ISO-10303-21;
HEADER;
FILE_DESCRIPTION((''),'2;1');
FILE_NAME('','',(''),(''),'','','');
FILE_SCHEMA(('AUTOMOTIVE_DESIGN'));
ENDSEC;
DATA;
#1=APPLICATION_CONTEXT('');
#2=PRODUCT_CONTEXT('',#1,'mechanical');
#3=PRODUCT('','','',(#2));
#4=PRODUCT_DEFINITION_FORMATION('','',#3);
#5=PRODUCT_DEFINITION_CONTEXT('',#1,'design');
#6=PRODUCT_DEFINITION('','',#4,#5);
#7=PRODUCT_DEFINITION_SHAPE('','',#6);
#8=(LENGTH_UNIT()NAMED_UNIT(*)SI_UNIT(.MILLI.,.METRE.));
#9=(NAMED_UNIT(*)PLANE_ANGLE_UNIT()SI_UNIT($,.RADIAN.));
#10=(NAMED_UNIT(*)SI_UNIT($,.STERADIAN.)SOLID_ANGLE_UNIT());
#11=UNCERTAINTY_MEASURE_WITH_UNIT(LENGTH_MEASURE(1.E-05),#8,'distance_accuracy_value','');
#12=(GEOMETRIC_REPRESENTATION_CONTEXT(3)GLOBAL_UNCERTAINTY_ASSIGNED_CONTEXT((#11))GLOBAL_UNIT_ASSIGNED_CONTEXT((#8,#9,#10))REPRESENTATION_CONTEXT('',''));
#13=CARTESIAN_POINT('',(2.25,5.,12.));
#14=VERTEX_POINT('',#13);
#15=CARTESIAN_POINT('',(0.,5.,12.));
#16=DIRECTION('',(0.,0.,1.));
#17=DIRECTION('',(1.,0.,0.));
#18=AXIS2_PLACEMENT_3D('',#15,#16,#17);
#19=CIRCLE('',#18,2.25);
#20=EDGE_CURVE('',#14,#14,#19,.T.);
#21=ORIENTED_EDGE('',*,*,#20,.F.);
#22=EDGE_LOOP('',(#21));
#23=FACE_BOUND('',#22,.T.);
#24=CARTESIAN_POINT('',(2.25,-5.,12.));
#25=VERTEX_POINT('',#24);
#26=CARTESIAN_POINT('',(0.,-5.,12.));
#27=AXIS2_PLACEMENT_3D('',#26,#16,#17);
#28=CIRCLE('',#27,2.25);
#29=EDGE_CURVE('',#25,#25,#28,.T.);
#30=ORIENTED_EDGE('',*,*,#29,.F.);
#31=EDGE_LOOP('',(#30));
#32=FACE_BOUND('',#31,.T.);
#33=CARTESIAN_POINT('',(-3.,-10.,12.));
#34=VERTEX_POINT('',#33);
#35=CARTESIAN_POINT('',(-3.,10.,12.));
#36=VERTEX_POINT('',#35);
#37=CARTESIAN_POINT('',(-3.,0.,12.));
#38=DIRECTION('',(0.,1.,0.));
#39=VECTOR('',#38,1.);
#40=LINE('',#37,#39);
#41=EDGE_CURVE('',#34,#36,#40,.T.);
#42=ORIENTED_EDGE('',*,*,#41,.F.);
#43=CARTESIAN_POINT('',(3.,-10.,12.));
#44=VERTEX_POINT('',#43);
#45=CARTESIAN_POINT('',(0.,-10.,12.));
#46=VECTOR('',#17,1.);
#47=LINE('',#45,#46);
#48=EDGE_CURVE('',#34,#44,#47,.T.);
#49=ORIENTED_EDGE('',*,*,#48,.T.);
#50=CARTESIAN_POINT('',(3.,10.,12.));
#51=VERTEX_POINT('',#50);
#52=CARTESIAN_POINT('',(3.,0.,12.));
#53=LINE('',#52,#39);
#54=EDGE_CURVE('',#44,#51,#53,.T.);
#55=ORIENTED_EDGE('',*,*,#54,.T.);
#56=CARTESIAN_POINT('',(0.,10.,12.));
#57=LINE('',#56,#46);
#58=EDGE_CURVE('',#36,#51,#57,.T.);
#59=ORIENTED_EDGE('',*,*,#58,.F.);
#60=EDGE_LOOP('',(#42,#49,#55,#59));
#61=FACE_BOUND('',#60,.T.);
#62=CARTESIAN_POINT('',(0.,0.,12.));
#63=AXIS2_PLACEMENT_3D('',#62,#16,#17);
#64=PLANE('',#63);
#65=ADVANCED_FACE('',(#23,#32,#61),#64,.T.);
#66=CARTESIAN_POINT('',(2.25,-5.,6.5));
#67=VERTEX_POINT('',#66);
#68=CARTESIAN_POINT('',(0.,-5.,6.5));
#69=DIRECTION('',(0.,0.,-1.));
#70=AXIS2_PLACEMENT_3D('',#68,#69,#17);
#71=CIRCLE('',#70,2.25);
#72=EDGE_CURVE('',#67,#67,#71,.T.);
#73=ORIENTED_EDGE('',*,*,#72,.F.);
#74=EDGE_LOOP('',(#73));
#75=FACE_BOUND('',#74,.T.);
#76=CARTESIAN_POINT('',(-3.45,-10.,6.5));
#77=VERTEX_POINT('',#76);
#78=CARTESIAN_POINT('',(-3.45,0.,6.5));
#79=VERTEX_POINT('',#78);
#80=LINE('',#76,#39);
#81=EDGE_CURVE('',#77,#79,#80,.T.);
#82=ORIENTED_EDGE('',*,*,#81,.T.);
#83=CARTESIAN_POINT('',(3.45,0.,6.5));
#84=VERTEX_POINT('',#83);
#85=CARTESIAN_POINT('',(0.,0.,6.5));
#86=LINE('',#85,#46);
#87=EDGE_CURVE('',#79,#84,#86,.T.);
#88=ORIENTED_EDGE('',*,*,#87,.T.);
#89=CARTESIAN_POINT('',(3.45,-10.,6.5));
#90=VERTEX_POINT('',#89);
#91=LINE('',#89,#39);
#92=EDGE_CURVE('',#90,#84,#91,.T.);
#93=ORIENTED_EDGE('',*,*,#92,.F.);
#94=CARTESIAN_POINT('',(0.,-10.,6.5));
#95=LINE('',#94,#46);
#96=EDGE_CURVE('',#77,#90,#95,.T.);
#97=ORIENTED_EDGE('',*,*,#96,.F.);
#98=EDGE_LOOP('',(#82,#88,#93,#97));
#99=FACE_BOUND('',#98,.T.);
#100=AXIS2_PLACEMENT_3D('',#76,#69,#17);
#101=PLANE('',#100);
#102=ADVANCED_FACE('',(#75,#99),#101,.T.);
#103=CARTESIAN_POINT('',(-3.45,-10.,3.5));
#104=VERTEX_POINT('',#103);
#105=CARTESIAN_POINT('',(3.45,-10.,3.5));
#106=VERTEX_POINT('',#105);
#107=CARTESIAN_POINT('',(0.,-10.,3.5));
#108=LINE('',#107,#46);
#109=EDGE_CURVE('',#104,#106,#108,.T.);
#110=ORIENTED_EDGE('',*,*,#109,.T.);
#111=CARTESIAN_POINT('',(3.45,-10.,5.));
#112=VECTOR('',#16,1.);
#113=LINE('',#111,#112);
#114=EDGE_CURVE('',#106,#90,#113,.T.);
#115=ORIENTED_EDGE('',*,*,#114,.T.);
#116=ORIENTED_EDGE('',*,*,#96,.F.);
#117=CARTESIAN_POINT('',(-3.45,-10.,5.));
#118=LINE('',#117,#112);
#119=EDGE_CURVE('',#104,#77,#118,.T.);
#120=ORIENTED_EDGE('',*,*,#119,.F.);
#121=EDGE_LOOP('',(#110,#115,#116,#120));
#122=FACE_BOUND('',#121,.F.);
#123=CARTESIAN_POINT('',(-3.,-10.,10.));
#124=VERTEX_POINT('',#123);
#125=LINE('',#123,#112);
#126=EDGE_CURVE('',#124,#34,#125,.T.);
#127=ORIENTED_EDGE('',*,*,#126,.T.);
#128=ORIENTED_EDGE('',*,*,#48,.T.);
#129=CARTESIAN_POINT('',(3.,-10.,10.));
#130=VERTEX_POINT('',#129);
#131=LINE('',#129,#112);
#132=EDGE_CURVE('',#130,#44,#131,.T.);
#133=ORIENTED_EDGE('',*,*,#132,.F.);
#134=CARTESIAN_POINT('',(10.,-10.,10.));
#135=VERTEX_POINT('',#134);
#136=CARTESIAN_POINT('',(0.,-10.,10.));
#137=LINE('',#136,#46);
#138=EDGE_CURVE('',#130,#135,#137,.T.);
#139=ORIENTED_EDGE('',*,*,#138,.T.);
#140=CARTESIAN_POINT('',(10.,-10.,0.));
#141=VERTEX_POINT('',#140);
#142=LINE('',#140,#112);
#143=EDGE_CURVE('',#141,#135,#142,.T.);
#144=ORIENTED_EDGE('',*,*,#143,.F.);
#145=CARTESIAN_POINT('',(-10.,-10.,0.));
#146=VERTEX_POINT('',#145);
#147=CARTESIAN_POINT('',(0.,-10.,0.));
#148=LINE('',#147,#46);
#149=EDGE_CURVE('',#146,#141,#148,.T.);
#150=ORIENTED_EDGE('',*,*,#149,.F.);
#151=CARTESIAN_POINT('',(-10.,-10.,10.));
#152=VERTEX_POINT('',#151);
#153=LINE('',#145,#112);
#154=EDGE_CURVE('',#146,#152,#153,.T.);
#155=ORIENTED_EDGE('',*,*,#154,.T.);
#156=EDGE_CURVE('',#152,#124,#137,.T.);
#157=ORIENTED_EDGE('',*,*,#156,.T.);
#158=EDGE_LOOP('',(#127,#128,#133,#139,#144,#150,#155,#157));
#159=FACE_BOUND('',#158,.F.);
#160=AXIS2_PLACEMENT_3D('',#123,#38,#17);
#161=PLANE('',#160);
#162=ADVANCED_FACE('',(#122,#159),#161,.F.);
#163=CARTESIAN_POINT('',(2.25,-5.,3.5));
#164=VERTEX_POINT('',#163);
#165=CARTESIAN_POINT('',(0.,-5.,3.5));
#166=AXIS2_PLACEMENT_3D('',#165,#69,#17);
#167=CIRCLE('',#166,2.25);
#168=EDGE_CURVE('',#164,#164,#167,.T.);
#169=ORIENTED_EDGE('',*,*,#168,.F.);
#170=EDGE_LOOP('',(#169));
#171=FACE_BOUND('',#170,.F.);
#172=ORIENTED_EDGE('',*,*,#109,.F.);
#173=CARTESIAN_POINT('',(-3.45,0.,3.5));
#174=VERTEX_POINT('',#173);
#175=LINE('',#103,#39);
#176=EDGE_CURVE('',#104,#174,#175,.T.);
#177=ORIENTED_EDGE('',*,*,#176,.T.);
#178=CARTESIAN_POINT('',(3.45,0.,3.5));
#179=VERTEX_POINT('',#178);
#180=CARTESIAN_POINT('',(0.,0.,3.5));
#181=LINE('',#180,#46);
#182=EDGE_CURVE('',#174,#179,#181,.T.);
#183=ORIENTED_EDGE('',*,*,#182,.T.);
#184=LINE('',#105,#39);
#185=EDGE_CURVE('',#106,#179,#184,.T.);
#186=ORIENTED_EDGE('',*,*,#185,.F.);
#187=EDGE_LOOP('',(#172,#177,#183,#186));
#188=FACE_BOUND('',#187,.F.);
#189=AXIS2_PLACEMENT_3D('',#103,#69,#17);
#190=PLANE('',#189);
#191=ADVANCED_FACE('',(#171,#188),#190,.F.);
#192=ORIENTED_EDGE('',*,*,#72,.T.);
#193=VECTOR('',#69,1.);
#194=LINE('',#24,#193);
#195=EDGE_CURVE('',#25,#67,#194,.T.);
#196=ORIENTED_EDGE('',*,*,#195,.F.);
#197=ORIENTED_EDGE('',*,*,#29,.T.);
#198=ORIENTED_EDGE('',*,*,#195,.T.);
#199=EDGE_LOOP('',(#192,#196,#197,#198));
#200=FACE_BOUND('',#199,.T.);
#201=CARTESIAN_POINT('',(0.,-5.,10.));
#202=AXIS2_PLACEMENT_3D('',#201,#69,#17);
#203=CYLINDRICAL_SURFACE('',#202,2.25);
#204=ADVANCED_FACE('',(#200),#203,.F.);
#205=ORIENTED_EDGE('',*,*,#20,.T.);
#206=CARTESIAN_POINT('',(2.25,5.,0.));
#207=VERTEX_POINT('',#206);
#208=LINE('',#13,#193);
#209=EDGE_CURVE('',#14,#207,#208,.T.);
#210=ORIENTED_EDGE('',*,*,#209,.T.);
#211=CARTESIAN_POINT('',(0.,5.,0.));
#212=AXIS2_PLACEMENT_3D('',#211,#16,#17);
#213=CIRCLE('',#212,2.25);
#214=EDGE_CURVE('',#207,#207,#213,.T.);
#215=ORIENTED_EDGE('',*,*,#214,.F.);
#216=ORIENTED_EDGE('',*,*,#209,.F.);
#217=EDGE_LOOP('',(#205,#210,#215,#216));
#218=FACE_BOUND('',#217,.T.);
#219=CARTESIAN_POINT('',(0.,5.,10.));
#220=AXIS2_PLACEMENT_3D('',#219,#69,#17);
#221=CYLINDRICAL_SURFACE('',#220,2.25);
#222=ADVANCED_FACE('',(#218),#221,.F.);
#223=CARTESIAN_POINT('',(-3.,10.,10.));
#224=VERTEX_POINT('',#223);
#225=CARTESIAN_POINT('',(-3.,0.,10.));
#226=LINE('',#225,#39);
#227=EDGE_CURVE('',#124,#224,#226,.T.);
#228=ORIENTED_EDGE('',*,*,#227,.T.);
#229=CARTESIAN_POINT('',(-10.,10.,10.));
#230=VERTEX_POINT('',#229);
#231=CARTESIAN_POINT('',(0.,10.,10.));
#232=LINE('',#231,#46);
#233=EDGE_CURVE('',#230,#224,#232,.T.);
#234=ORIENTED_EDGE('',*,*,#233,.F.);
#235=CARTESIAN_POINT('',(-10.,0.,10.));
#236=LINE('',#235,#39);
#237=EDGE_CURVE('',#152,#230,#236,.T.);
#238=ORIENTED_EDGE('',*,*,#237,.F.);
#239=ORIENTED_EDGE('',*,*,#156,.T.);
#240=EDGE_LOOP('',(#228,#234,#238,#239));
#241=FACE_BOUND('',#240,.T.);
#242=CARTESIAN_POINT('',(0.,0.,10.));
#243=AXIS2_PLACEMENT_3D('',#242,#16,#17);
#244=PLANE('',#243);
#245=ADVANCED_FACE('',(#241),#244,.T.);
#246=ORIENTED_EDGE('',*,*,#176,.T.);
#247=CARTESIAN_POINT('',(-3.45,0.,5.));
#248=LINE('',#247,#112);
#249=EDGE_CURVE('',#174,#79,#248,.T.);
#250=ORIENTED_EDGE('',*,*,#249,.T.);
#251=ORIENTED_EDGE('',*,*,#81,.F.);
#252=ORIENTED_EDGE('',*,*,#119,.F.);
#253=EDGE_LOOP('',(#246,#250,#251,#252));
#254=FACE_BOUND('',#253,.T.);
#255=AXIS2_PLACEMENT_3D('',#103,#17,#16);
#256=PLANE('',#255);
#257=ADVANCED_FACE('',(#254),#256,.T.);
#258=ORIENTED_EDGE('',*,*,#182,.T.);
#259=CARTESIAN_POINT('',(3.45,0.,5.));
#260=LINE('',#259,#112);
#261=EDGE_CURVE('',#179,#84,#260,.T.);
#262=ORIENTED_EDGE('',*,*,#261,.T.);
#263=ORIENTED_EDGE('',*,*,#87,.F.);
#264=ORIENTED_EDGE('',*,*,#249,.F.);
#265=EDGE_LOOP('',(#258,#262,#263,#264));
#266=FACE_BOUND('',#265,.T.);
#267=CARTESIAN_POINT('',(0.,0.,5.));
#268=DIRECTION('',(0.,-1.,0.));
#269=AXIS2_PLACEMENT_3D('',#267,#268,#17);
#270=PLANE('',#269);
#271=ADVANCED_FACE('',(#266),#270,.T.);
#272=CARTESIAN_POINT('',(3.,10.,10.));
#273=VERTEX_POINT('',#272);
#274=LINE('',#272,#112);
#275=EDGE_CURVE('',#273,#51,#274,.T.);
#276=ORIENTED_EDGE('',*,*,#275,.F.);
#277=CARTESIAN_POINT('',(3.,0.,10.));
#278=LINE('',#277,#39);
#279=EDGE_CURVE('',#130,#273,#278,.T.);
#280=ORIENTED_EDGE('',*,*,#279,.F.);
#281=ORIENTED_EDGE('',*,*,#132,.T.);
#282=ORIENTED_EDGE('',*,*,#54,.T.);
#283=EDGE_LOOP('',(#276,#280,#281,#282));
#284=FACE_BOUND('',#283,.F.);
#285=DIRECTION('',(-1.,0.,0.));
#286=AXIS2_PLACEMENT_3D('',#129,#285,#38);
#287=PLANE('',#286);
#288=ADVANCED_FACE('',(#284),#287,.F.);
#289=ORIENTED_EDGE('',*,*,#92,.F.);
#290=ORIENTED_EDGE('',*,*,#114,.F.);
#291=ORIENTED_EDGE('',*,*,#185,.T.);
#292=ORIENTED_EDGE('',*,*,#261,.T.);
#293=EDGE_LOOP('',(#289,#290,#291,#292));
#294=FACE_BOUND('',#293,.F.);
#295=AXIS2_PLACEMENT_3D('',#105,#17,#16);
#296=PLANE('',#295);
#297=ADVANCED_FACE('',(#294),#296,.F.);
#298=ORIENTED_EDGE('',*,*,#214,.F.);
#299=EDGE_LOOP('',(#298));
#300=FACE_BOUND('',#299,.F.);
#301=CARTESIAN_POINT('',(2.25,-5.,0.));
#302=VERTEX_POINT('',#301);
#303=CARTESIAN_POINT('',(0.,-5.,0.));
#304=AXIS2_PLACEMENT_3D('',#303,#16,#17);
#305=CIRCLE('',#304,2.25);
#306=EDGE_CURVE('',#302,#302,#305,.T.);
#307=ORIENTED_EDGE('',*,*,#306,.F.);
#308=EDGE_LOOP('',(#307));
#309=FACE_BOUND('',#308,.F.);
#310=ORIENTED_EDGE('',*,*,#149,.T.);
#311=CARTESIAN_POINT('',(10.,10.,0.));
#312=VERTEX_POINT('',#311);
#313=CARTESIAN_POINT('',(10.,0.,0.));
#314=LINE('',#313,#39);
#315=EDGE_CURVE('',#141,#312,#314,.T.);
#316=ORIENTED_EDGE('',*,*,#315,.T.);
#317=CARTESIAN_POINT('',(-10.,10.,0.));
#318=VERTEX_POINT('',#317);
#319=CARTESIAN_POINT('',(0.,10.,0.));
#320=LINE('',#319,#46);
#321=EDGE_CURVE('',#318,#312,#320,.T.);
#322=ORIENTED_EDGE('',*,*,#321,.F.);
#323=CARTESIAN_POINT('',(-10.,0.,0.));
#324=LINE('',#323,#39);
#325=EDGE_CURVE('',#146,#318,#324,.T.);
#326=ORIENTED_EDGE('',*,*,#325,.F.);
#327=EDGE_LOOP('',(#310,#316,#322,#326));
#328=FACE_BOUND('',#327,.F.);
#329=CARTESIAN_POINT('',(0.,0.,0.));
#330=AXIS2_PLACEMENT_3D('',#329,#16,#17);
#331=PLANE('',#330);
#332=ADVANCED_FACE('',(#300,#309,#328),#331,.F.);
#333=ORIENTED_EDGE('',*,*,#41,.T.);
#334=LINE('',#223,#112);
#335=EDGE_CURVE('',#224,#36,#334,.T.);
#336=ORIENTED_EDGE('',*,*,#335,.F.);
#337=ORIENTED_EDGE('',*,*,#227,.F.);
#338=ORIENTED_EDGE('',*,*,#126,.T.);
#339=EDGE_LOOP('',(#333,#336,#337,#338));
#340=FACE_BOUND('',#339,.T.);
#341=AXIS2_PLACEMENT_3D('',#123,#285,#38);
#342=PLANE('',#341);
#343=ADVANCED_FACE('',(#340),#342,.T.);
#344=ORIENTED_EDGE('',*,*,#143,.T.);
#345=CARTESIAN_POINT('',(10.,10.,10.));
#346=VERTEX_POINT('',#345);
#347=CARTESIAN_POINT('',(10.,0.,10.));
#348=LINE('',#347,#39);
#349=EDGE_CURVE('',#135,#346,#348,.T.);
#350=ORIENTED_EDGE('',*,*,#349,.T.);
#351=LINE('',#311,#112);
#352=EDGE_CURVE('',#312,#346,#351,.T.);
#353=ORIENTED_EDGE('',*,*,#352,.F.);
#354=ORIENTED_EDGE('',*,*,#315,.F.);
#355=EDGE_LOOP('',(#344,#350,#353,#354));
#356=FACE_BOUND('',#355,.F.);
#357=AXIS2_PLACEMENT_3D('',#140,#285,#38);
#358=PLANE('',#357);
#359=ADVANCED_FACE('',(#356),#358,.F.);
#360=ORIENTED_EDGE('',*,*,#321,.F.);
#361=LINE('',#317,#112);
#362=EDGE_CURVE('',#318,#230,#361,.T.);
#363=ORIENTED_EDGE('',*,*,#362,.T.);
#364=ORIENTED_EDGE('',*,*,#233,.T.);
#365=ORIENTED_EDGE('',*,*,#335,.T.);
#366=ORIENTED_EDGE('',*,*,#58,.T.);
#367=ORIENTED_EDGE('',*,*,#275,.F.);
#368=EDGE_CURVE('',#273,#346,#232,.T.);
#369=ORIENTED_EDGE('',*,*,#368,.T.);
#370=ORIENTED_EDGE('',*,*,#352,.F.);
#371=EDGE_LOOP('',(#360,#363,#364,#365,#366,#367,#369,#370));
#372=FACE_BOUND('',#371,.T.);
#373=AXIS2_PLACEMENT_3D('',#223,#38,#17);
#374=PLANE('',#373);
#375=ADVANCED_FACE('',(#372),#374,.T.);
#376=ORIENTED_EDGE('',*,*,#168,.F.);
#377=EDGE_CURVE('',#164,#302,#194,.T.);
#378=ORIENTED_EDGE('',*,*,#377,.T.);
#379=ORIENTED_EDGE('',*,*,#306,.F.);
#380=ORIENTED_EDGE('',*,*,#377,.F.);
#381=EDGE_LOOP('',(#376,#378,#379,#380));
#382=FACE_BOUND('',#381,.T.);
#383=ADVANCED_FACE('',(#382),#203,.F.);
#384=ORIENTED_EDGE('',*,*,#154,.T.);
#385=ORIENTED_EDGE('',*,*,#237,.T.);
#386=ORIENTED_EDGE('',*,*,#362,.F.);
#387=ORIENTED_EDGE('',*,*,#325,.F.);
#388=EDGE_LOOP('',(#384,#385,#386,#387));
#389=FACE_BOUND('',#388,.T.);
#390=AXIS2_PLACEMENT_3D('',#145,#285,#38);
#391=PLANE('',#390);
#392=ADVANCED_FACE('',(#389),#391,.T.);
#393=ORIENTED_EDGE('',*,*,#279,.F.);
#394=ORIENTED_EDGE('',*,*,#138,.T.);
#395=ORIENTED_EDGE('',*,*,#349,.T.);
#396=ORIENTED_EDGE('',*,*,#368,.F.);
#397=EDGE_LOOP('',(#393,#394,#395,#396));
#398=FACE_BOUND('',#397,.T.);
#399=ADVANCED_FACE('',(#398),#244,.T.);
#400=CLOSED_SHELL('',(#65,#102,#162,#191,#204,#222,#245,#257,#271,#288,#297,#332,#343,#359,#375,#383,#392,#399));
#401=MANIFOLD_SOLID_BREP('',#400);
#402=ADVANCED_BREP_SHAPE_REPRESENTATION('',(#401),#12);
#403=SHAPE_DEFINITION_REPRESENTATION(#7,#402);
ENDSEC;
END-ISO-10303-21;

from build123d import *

# Parameters (mm, degrees)
SKETCH_W     = 20
SKETCH_H     = 20
SKETCH_R     = 2.25
PAD_DEPTH    = 10
SKETCH001_W  = 6
SKETCH001_H  = 20
SKETCH001_R  = 2.25
PAD001_DEPTH = 2
SKETCH002_W  = 6.9
SKETCH002_H  = 3
POCKET_DEPTH = 10


with BuildPart() as part:
    # Sketch → Pad (new body)
    with BuildSketch(Plane.XY):
        Rectangle(SKETCH_W, SKETCH_H)
        with Locations((0, 5)):
            Circle(SKETCH_R, mode=Mode.SUBTRACT)
        with Locations((0, -5)):
            Circle(SKETCH_R, mode=Mode.SUBTRACT)
    extrude(amount=PAD_DEPTH)

    # Sketch001 → Pad001 (new body)
    with BuildSketch(Plane.XY.offset(10)):
        Rectangle(SKETCH001_W, SKETCH001_H)
        with Locations((0, 5)):
            Circle(SKETCH001_R, mode=Mode.SUBTRACT)
        with Locations((0, -5)):
            Circle(SKETCH001_R, mode=Mode.SUBTRACT)
    extrude(amount=PAD001_DEPTH)

    # Sketch002 → Pocket (cut)
    with BuildSketch(Plane.XZ.offset(10)):
        with Locations((0, 5)):
            Rectangle(SKETCH002_W, SKETCH002_H)
    extrude(amount=-POCKET_DEPTH, mode=Mode.SUBTRACT)


solid = part.part
